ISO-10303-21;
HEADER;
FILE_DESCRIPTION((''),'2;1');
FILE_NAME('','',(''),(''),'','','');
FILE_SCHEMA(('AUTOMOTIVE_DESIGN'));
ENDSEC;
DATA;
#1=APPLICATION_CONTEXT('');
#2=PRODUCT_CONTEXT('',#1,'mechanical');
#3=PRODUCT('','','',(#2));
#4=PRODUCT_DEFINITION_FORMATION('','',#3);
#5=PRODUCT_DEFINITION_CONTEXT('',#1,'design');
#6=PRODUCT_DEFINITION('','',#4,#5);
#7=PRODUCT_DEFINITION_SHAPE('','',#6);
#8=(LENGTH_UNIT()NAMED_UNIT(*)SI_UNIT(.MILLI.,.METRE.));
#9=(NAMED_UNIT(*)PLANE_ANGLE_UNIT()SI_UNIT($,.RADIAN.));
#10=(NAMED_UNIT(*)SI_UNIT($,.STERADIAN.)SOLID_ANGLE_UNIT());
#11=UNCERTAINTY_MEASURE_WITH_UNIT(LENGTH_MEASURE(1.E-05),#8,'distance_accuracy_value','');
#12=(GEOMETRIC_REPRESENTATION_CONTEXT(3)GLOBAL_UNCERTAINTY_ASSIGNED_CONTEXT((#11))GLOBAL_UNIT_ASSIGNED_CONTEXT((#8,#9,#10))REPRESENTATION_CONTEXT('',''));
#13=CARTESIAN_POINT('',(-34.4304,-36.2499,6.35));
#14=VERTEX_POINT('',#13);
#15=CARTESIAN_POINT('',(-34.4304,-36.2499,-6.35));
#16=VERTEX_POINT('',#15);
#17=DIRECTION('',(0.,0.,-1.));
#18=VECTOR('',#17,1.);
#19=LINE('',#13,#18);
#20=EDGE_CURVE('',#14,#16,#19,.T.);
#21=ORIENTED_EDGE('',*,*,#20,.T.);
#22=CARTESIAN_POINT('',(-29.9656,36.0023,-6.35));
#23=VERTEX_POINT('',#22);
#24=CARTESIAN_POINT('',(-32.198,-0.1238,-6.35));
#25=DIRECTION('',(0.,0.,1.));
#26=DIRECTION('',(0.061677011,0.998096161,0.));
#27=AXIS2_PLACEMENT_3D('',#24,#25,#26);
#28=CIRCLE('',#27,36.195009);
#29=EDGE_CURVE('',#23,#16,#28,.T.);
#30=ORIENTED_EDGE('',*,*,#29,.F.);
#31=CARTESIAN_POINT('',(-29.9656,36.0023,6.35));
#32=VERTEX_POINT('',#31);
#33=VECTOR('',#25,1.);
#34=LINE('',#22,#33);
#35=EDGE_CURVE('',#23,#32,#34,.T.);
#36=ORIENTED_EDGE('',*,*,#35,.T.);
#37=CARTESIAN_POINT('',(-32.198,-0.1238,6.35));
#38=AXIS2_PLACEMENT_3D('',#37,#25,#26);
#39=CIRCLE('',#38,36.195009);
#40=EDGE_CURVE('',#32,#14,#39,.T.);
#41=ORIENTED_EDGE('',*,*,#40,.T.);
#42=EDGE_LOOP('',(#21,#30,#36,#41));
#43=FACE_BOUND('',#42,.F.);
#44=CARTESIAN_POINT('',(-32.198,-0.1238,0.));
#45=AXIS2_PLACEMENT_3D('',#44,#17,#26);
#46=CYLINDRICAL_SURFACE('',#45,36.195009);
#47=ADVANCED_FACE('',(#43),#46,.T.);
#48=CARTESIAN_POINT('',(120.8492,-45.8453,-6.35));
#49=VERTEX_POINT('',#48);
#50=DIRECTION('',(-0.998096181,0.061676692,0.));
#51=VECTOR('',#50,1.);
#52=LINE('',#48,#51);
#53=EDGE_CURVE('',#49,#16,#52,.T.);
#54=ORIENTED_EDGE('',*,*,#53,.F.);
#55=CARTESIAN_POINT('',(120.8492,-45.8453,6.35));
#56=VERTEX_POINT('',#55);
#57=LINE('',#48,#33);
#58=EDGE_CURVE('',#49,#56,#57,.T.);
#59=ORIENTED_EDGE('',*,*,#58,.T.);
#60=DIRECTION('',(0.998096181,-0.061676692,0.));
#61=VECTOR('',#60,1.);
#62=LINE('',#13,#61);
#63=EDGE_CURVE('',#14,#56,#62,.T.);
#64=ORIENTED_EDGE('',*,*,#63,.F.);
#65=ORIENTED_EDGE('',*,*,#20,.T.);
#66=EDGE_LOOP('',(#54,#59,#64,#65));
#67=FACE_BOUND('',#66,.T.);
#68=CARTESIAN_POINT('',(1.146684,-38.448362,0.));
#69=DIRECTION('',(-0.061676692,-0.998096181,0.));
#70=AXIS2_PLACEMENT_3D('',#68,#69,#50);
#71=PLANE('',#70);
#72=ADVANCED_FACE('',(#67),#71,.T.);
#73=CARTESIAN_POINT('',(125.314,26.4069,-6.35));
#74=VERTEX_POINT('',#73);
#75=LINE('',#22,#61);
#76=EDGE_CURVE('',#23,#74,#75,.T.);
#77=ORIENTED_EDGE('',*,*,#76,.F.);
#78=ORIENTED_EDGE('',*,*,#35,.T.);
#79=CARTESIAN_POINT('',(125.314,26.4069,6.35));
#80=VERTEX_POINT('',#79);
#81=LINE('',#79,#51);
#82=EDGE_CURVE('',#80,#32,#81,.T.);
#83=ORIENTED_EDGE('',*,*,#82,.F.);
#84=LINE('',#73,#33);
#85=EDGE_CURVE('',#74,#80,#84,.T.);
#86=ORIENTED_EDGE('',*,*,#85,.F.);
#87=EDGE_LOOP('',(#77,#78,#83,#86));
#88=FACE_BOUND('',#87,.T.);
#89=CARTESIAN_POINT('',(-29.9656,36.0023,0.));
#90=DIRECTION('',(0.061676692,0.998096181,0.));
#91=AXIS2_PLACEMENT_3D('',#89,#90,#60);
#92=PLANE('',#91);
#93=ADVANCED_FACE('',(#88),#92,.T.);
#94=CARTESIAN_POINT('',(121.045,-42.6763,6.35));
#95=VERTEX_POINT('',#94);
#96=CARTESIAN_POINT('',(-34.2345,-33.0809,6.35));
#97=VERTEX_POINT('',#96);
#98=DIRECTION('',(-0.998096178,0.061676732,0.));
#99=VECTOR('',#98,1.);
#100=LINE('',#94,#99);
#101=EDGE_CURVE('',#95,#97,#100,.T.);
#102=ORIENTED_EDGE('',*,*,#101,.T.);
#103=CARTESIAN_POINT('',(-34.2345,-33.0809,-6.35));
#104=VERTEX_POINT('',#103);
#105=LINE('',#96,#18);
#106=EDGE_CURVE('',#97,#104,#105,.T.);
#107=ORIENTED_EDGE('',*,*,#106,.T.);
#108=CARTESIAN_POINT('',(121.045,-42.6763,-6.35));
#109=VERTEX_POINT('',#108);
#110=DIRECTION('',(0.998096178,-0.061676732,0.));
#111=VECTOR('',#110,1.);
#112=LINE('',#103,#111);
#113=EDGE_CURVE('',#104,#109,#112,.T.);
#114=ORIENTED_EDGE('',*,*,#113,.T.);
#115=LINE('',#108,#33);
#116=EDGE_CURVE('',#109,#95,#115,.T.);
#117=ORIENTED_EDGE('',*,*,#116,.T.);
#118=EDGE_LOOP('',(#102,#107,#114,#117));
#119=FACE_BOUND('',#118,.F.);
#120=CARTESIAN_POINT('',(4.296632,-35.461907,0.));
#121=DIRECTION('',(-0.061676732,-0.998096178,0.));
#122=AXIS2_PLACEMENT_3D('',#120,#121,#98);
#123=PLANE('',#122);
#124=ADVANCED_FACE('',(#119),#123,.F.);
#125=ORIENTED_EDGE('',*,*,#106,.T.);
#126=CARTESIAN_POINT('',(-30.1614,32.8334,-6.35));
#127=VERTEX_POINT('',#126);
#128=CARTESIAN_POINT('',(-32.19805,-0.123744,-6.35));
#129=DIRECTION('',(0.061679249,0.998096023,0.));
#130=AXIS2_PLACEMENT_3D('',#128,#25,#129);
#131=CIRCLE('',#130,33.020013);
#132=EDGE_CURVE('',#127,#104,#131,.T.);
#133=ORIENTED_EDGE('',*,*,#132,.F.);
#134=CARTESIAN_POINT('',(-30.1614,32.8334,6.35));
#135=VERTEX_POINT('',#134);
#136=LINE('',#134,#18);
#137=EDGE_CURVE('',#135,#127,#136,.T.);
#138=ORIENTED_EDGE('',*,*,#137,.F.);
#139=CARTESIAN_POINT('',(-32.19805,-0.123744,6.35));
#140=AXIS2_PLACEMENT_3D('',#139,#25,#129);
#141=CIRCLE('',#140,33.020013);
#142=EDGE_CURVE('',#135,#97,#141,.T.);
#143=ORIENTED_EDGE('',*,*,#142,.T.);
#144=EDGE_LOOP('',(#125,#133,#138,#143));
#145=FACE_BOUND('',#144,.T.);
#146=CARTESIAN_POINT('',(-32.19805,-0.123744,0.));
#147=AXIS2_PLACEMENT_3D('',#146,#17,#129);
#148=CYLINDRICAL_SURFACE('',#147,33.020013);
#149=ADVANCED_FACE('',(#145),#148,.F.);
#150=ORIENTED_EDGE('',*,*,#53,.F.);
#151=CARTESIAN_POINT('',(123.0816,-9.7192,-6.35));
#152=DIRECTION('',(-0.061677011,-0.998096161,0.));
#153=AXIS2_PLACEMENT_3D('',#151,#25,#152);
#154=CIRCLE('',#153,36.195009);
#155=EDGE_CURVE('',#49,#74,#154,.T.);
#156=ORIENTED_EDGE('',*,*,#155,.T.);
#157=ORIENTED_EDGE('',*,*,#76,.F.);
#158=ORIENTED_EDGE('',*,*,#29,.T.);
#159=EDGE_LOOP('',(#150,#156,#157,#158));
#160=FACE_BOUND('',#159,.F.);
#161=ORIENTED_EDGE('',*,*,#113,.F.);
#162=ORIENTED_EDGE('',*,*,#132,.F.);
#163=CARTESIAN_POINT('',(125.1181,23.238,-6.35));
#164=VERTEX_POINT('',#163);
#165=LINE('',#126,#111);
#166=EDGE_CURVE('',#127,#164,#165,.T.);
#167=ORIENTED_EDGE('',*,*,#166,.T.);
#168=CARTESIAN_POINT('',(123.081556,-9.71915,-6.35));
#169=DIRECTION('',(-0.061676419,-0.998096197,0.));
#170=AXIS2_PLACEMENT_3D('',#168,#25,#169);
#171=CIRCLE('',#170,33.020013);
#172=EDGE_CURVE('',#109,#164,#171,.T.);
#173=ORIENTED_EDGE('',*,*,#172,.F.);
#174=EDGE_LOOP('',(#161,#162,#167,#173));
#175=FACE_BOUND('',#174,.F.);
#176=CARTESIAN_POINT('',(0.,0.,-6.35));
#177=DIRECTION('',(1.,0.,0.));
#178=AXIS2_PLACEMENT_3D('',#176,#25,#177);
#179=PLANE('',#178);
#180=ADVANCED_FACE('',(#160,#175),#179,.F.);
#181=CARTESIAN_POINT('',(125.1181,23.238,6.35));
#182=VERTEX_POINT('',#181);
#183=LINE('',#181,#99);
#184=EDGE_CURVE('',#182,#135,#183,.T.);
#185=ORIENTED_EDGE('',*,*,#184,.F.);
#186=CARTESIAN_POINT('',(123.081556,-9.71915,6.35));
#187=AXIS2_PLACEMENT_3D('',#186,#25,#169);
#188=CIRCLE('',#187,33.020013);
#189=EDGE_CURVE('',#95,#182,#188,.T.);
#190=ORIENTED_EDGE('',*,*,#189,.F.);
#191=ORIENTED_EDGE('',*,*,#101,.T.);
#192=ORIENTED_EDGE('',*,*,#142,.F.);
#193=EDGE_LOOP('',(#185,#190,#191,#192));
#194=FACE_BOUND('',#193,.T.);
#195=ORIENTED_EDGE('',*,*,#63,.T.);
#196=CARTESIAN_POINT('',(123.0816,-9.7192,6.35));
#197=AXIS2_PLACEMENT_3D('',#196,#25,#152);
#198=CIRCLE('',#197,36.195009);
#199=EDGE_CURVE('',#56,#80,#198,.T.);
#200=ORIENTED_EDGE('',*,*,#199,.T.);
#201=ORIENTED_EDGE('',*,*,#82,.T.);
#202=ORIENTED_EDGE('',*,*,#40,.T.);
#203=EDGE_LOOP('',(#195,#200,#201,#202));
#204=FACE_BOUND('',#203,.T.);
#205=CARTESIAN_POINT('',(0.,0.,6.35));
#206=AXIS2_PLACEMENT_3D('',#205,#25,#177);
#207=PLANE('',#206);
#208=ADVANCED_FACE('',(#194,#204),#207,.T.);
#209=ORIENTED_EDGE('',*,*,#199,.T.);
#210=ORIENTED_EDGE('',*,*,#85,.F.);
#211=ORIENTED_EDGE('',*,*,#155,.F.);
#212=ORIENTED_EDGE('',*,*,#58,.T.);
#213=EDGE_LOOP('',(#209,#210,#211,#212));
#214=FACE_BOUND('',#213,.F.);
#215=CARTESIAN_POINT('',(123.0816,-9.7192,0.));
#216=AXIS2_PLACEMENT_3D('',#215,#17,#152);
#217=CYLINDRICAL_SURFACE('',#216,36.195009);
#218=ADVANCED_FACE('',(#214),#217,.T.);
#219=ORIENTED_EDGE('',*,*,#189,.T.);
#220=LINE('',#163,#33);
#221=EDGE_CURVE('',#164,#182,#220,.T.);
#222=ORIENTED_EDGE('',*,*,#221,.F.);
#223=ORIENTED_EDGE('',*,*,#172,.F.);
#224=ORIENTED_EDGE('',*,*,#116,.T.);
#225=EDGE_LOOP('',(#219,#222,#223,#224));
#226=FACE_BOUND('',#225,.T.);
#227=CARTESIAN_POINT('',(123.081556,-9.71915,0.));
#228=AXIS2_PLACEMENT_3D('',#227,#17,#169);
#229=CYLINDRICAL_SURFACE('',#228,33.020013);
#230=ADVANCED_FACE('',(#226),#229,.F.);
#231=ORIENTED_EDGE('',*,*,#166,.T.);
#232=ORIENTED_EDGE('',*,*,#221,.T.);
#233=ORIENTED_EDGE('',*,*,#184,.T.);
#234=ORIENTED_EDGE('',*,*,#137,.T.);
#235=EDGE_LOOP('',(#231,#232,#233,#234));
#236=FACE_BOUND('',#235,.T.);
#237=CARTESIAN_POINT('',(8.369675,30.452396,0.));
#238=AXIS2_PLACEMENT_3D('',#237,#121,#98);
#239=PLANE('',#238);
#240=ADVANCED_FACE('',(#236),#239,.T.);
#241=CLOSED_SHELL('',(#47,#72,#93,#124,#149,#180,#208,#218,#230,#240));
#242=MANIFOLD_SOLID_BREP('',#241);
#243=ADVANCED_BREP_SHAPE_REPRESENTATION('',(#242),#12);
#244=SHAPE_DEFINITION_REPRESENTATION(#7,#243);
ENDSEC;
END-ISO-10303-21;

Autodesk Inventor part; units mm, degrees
ref_plane "YZ Plane" through (0, 0, 0) normal (1, 0, 0) x (0, 1, 0)
ref_plane "XZ Plane" through (0, 0, 0) normal (0, 1, 0) x (-1, 0, 0)
ref_plane "XY Plane" through (0, 0, 0) normal (0, 0, 1) x (1, 0, 0)
sketch "Sketch1" plane through (0, 0, 0) normal (0, 0, 1) x (1, 0, 0)
  circle A0 centre (-32.198, -0.1238) radius 50.8 projected
  circle A1 centre (123.0816, -9.7192) radius 50.8 projected
  arc A2 (-30.1614, 32.8334) -> (-34.2345, -33.0809) centre (-32.198, -0.1238) ccw
  arc A3 (121.045, -42.6763) -> (125.1181, 23.238) centre (123.0816, -9.7192) ccw
  line L0 (121.045, -42.6763) -> (-34.2345, -33.0809)
  line L1 (125.1181, 23.238) -> (-30.1614, 32.8334)
  arc A4 (120.8492, -45.8453) -> (125.314, 26.4069) centre (123.0816, -9.7192) ccw
  line L2 (120.8492, -45.8453) -> (-34.4304, -36.2499)
  arc A5 (-29.9656, 36.0023) -> (-34.4304, -36.2499) centre (-32.198, -0.1238) ccw
  line L3 (-29.9656, 36.0023) -> (125.314, 26.4069)
  point P0 (0, 0)
  dimension "d0" = 66.04
  dimension "d1" = 66.04
  dimension "d2" = 3.175
extrude "Extrusion1" add sketch "Sketch1" along normal mid plane 12.7 contours L1 A2 L0 A0 L2 A5 L3 | A0 L3 A1 L1 | L0 A1 L2 A0 | A1 L3 A4 L2 L0 A3 L1
properties part number "Belt"
